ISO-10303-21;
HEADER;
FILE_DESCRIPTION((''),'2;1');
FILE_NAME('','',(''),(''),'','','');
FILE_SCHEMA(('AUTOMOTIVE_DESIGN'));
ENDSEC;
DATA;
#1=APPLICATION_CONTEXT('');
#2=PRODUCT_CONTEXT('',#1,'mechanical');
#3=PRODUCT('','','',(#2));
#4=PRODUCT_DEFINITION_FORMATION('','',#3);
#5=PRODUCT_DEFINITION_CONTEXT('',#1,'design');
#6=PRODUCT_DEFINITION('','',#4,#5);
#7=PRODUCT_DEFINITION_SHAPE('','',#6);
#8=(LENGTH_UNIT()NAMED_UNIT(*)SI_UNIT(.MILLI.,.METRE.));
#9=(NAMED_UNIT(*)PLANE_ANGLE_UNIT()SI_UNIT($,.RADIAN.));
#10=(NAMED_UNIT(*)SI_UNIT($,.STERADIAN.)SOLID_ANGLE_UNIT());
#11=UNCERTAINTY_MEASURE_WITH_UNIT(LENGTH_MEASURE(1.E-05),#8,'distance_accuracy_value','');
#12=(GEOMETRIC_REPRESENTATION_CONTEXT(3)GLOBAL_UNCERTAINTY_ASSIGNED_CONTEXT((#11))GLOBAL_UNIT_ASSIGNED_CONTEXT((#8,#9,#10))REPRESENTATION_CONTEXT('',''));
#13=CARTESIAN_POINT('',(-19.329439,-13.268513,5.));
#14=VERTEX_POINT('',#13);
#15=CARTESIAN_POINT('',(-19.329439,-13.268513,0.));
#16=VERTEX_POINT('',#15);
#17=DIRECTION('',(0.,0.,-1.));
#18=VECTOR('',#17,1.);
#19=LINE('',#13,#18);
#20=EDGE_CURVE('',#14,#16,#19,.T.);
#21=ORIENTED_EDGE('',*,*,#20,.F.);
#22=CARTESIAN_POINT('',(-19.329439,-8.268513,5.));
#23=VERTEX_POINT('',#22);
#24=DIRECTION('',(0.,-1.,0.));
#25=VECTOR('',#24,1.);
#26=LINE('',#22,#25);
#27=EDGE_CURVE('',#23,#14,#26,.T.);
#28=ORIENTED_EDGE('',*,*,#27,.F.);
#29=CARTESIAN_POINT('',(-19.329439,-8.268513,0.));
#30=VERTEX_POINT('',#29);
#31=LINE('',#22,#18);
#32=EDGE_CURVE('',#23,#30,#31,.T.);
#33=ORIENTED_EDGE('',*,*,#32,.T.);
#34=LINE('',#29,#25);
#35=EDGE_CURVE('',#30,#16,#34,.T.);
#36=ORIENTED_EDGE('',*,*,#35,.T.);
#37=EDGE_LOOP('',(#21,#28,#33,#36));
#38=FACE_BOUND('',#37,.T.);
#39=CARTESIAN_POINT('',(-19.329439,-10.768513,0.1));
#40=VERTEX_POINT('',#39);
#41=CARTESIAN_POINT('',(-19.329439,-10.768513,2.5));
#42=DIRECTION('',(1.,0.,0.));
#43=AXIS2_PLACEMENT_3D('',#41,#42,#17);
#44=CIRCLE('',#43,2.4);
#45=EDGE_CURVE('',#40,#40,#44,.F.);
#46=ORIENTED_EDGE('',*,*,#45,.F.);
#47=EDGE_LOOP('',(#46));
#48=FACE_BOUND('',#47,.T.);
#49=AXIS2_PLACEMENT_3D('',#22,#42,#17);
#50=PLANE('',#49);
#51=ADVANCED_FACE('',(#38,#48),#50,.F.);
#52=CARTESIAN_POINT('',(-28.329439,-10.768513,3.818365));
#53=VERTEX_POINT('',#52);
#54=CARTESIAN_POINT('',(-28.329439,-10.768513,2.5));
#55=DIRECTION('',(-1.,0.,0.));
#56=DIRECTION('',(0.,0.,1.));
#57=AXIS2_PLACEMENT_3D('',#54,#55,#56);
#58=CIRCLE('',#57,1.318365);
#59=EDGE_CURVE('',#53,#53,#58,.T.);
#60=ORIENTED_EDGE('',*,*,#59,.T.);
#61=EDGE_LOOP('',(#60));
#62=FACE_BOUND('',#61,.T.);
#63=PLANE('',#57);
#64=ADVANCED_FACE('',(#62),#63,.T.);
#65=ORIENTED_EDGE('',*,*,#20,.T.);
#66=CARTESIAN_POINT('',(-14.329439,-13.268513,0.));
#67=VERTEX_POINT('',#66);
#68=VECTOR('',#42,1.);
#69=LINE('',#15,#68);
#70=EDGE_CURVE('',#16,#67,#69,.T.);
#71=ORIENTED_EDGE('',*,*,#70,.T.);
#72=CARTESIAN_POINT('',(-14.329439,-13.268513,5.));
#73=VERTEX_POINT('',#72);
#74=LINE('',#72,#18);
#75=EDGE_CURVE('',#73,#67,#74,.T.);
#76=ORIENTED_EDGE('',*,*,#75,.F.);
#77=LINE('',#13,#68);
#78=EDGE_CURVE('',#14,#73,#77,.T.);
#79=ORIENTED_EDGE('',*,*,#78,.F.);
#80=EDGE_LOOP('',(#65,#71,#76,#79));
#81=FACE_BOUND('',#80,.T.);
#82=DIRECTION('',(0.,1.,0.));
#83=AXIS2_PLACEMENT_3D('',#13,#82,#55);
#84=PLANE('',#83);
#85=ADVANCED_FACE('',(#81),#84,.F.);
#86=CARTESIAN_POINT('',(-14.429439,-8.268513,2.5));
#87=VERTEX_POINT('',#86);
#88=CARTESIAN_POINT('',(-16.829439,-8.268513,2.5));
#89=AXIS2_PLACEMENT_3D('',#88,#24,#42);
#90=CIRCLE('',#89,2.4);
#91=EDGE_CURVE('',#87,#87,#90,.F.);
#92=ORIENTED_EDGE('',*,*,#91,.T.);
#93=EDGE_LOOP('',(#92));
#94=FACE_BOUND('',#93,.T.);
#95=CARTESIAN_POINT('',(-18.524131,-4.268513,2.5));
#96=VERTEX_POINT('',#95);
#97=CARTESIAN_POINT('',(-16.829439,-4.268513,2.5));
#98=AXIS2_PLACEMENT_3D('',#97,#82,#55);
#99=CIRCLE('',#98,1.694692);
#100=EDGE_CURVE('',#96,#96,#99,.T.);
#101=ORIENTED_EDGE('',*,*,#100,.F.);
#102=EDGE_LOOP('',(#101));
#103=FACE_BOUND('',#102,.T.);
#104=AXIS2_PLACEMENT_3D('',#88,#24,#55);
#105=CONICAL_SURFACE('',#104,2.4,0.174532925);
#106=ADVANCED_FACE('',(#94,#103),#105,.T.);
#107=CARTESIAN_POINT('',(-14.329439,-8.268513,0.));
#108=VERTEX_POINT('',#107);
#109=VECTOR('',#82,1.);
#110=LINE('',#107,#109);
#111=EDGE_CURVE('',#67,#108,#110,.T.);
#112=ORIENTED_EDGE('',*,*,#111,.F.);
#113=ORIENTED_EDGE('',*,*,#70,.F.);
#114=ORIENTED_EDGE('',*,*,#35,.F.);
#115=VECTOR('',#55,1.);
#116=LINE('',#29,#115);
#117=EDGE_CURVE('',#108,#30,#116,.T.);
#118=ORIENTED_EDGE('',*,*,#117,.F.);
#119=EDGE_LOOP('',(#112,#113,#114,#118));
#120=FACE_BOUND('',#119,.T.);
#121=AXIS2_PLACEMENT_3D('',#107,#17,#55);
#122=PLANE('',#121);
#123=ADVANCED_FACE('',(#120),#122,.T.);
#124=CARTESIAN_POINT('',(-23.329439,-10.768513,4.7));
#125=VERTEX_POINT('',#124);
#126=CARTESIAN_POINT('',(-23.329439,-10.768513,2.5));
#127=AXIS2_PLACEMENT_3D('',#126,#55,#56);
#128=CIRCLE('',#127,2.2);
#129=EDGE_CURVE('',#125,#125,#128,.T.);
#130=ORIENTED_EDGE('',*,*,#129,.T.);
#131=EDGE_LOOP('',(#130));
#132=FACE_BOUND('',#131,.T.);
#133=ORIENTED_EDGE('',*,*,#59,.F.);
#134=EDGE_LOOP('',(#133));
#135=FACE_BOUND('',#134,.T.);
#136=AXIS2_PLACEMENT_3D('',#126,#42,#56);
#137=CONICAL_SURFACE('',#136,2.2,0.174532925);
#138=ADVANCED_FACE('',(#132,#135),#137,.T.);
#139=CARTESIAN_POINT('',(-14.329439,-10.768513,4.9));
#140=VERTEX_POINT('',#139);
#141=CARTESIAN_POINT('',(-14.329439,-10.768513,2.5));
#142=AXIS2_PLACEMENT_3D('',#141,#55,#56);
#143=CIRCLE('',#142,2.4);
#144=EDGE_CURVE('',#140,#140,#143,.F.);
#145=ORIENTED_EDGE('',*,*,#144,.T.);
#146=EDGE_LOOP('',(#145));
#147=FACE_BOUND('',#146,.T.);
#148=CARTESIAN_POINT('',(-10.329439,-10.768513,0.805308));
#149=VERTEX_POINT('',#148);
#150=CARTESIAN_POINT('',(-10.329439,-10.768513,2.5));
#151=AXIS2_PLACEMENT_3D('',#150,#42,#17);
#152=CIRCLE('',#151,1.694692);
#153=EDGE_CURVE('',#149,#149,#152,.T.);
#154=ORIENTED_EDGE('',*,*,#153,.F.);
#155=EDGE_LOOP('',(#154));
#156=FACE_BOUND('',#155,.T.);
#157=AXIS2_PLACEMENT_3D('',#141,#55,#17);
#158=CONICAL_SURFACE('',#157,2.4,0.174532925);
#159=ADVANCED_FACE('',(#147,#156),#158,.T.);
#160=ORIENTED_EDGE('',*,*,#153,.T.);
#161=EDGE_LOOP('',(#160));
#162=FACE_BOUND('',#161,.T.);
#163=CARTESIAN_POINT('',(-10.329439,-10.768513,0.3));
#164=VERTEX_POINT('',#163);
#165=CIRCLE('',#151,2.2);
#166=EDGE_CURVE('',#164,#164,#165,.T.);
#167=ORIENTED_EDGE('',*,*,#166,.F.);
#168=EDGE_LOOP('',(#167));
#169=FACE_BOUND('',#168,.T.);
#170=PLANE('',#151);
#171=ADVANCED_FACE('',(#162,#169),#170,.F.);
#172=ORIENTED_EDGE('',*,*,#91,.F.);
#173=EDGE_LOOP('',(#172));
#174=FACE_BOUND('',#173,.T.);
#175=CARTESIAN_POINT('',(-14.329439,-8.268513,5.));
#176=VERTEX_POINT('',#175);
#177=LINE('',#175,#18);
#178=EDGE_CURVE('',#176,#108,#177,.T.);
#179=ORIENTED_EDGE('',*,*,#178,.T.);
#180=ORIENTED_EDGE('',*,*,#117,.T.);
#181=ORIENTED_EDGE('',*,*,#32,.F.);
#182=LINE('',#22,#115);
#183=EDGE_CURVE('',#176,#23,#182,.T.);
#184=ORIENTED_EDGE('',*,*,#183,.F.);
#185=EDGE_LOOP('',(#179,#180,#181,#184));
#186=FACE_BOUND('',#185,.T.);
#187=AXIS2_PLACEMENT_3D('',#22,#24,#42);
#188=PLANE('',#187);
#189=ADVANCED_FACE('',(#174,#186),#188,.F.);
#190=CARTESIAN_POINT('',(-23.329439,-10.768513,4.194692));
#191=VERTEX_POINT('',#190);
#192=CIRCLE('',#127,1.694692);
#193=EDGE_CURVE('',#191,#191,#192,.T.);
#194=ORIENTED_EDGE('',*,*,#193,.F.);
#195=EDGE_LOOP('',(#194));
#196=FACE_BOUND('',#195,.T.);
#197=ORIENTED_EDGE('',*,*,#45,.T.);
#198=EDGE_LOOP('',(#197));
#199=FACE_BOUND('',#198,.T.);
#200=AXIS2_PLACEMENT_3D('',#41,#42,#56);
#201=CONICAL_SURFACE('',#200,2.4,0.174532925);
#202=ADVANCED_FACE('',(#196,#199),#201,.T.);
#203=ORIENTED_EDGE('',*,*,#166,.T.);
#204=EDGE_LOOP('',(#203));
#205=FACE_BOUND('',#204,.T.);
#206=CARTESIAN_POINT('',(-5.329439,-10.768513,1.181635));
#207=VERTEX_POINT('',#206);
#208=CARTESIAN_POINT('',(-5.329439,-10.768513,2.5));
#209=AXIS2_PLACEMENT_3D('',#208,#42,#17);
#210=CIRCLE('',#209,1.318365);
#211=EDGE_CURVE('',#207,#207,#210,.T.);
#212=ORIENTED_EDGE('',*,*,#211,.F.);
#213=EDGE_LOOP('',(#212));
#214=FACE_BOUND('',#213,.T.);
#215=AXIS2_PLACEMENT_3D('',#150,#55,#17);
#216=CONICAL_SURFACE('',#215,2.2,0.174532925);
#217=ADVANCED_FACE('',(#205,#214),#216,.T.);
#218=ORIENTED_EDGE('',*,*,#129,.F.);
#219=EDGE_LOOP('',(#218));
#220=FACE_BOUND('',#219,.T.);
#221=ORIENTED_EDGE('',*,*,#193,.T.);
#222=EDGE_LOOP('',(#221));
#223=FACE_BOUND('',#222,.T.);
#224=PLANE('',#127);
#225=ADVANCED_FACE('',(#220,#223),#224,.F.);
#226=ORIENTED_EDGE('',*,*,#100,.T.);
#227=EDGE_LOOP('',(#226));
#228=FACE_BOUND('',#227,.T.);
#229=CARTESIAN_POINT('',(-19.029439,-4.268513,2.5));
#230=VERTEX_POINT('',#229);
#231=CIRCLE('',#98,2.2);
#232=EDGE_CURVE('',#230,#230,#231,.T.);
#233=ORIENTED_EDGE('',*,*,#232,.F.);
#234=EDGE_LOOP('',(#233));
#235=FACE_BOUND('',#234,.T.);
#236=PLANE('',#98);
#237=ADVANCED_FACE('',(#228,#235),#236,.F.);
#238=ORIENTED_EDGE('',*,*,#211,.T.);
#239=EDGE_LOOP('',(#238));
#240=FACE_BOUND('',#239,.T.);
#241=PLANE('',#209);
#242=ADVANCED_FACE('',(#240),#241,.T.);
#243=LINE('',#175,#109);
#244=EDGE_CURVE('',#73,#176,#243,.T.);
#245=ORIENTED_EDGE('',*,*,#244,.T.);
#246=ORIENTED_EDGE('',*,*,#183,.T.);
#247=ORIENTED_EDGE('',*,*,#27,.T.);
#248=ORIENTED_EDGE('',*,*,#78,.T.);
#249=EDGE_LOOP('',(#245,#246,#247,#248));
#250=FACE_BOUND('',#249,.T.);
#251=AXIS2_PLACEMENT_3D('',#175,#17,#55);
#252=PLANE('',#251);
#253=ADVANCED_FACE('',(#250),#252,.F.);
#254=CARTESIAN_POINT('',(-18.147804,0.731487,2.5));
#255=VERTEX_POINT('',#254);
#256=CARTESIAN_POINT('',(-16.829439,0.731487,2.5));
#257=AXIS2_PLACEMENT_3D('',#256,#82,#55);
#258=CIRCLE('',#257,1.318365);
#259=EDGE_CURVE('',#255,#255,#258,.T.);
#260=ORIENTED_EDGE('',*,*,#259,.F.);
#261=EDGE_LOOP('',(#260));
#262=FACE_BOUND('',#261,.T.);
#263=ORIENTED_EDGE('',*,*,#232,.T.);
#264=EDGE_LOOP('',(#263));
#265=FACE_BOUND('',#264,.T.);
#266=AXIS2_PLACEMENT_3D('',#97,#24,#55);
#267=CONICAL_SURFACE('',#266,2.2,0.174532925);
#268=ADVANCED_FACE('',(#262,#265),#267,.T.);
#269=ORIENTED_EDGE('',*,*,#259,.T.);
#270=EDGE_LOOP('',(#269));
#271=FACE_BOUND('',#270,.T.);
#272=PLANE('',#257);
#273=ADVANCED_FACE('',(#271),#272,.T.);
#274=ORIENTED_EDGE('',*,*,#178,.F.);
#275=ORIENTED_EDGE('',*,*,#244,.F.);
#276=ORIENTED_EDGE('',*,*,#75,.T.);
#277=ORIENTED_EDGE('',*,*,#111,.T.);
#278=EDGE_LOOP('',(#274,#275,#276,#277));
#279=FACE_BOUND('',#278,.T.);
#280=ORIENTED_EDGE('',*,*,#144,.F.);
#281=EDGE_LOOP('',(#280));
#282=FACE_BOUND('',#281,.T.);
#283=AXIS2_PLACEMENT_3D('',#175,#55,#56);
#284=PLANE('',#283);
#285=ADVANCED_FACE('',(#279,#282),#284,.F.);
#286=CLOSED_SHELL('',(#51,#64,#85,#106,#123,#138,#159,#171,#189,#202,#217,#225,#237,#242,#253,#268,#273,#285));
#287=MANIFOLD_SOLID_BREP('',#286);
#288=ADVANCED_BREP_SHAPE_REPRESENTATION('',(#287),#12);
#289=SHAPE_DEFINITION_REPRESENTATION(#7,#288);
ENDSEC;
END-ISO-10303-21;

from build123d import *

# Parameters (mm, degrees)
ESQUISSE1_W      = 5
ESQUISSE1_H      = 5
EXTRUSION1_DEPTH = 5
ESQUISSE2_R      = 2.4
EXTRUSION2_DEPTH = 4
EXTRUSION2_TAPER = 10
ESQUISSE3_R      = 2.4
EXTRUSION3_DEPTH = 4
EXTRUSION3_TAPER = 10
ESQUISSE4_R      = 2.4
EXTRUSION4_DEPTH = 4
EXTRUSION4_TAPER = 10
ESQUISSE5_R      = 2.2
EXTRUSION5_DEPTH = 5
EXTRUSION5_TAPER = 10
ESQUISSE6_R      = 2.2
EXTRUSION6_DEPTH = 5
EXTRUSION6_TAPER = 10
ESQUISSE7_R      = 2.2
EXTRUSION7_DEPTH = 5
EXTRUSION7_TAPER = 10


with BuildPart() as part:
    # Esquisse1 → Extrusion1 (new body)
    with BuildSketch(Plane.XY):
        with Locations((-16.829438543, -10.768512898)):
            Rectangle(ESQUISSE1_W, ESQUISSE1_H)
    extrude(amount=EXTRUSION1_DEPTH)

    # Esquisse2 → Extrusion2 (add)
    with BuildSketch(Plane(origin=(-14.329438543, 0, 0), x_dir=(0, 0, -1), z_dir=(1, 0, 0))):
        with Locations((-2.5, -10.768512898)):
            Circle(ESQUISSE2_R)
    extrude(amount=EXTRUSION2_DEPTH, taper=EXTRUSION2_TAPER)

    # Esquisse3 → Extrusion3 (add)
    with BuildSketch(Plane(origin=(0, -8.268512898, 0), x_dir=(-1, 0, 0), z_dir=(0, 1, 0))):
        with Locations((16.829438543, 2.5)):
            Circle(ESQUISSE3_R)
    extrude(amount=EXTRUSION3_DEPTH, taper=EXTRUSION3_TAPER)

    # Esquisse4 → Extrusion4 (add)
    with BuildSketch(Plane.ZY.offset(19.329438543)):
        with Locations((2.5, -10.768512898)):
            Circle(ESQUISSE4_R)
    extrude(amount=EXTRUSION4_DEPTH, taper=EXTRUSION4_TAPER)

    # Esquisse5 → Extrusion5 (add)
    with BuildSketch(Plane.ZY.offset(23.329438543)):
        with Locations((2.5, -10.768512898)):
            Circle(ESQUISSE5_R)
    extrude(amount=EXTRUSION5_DEPTH, taper=EXTRUSION5_TAPER)

    # Esquisse6 → Extrusion6 (add)
    with BuildSketch(Plane(origin=(0, -4.268512898, 0), x_dir=(-1, 0, 0), z_dir=(0, 1, 0))):
        with Locations((16.829438543, 2.5)):
            Circle(ESQUISSE6_R)
    extrude(amount=EXTRUSION6_DEPTH, taper=EXTRUSION6_TAPER)

    # Esquisse7 → Extrusion7 (add)
    with BuildSketch(Plane(origin=(-10.329438543, 0, 0), x_dir=(0, 0, -1), z_dir=(1, 0, 0))):
        with Locations((-2.5, -10.768512898)):
            Circle(ESQUISSE7_R)
    extrude(amount=EXTRUSION7_DEPTH, taper=EXTRUSION7_TAPER)


solid = part.part
